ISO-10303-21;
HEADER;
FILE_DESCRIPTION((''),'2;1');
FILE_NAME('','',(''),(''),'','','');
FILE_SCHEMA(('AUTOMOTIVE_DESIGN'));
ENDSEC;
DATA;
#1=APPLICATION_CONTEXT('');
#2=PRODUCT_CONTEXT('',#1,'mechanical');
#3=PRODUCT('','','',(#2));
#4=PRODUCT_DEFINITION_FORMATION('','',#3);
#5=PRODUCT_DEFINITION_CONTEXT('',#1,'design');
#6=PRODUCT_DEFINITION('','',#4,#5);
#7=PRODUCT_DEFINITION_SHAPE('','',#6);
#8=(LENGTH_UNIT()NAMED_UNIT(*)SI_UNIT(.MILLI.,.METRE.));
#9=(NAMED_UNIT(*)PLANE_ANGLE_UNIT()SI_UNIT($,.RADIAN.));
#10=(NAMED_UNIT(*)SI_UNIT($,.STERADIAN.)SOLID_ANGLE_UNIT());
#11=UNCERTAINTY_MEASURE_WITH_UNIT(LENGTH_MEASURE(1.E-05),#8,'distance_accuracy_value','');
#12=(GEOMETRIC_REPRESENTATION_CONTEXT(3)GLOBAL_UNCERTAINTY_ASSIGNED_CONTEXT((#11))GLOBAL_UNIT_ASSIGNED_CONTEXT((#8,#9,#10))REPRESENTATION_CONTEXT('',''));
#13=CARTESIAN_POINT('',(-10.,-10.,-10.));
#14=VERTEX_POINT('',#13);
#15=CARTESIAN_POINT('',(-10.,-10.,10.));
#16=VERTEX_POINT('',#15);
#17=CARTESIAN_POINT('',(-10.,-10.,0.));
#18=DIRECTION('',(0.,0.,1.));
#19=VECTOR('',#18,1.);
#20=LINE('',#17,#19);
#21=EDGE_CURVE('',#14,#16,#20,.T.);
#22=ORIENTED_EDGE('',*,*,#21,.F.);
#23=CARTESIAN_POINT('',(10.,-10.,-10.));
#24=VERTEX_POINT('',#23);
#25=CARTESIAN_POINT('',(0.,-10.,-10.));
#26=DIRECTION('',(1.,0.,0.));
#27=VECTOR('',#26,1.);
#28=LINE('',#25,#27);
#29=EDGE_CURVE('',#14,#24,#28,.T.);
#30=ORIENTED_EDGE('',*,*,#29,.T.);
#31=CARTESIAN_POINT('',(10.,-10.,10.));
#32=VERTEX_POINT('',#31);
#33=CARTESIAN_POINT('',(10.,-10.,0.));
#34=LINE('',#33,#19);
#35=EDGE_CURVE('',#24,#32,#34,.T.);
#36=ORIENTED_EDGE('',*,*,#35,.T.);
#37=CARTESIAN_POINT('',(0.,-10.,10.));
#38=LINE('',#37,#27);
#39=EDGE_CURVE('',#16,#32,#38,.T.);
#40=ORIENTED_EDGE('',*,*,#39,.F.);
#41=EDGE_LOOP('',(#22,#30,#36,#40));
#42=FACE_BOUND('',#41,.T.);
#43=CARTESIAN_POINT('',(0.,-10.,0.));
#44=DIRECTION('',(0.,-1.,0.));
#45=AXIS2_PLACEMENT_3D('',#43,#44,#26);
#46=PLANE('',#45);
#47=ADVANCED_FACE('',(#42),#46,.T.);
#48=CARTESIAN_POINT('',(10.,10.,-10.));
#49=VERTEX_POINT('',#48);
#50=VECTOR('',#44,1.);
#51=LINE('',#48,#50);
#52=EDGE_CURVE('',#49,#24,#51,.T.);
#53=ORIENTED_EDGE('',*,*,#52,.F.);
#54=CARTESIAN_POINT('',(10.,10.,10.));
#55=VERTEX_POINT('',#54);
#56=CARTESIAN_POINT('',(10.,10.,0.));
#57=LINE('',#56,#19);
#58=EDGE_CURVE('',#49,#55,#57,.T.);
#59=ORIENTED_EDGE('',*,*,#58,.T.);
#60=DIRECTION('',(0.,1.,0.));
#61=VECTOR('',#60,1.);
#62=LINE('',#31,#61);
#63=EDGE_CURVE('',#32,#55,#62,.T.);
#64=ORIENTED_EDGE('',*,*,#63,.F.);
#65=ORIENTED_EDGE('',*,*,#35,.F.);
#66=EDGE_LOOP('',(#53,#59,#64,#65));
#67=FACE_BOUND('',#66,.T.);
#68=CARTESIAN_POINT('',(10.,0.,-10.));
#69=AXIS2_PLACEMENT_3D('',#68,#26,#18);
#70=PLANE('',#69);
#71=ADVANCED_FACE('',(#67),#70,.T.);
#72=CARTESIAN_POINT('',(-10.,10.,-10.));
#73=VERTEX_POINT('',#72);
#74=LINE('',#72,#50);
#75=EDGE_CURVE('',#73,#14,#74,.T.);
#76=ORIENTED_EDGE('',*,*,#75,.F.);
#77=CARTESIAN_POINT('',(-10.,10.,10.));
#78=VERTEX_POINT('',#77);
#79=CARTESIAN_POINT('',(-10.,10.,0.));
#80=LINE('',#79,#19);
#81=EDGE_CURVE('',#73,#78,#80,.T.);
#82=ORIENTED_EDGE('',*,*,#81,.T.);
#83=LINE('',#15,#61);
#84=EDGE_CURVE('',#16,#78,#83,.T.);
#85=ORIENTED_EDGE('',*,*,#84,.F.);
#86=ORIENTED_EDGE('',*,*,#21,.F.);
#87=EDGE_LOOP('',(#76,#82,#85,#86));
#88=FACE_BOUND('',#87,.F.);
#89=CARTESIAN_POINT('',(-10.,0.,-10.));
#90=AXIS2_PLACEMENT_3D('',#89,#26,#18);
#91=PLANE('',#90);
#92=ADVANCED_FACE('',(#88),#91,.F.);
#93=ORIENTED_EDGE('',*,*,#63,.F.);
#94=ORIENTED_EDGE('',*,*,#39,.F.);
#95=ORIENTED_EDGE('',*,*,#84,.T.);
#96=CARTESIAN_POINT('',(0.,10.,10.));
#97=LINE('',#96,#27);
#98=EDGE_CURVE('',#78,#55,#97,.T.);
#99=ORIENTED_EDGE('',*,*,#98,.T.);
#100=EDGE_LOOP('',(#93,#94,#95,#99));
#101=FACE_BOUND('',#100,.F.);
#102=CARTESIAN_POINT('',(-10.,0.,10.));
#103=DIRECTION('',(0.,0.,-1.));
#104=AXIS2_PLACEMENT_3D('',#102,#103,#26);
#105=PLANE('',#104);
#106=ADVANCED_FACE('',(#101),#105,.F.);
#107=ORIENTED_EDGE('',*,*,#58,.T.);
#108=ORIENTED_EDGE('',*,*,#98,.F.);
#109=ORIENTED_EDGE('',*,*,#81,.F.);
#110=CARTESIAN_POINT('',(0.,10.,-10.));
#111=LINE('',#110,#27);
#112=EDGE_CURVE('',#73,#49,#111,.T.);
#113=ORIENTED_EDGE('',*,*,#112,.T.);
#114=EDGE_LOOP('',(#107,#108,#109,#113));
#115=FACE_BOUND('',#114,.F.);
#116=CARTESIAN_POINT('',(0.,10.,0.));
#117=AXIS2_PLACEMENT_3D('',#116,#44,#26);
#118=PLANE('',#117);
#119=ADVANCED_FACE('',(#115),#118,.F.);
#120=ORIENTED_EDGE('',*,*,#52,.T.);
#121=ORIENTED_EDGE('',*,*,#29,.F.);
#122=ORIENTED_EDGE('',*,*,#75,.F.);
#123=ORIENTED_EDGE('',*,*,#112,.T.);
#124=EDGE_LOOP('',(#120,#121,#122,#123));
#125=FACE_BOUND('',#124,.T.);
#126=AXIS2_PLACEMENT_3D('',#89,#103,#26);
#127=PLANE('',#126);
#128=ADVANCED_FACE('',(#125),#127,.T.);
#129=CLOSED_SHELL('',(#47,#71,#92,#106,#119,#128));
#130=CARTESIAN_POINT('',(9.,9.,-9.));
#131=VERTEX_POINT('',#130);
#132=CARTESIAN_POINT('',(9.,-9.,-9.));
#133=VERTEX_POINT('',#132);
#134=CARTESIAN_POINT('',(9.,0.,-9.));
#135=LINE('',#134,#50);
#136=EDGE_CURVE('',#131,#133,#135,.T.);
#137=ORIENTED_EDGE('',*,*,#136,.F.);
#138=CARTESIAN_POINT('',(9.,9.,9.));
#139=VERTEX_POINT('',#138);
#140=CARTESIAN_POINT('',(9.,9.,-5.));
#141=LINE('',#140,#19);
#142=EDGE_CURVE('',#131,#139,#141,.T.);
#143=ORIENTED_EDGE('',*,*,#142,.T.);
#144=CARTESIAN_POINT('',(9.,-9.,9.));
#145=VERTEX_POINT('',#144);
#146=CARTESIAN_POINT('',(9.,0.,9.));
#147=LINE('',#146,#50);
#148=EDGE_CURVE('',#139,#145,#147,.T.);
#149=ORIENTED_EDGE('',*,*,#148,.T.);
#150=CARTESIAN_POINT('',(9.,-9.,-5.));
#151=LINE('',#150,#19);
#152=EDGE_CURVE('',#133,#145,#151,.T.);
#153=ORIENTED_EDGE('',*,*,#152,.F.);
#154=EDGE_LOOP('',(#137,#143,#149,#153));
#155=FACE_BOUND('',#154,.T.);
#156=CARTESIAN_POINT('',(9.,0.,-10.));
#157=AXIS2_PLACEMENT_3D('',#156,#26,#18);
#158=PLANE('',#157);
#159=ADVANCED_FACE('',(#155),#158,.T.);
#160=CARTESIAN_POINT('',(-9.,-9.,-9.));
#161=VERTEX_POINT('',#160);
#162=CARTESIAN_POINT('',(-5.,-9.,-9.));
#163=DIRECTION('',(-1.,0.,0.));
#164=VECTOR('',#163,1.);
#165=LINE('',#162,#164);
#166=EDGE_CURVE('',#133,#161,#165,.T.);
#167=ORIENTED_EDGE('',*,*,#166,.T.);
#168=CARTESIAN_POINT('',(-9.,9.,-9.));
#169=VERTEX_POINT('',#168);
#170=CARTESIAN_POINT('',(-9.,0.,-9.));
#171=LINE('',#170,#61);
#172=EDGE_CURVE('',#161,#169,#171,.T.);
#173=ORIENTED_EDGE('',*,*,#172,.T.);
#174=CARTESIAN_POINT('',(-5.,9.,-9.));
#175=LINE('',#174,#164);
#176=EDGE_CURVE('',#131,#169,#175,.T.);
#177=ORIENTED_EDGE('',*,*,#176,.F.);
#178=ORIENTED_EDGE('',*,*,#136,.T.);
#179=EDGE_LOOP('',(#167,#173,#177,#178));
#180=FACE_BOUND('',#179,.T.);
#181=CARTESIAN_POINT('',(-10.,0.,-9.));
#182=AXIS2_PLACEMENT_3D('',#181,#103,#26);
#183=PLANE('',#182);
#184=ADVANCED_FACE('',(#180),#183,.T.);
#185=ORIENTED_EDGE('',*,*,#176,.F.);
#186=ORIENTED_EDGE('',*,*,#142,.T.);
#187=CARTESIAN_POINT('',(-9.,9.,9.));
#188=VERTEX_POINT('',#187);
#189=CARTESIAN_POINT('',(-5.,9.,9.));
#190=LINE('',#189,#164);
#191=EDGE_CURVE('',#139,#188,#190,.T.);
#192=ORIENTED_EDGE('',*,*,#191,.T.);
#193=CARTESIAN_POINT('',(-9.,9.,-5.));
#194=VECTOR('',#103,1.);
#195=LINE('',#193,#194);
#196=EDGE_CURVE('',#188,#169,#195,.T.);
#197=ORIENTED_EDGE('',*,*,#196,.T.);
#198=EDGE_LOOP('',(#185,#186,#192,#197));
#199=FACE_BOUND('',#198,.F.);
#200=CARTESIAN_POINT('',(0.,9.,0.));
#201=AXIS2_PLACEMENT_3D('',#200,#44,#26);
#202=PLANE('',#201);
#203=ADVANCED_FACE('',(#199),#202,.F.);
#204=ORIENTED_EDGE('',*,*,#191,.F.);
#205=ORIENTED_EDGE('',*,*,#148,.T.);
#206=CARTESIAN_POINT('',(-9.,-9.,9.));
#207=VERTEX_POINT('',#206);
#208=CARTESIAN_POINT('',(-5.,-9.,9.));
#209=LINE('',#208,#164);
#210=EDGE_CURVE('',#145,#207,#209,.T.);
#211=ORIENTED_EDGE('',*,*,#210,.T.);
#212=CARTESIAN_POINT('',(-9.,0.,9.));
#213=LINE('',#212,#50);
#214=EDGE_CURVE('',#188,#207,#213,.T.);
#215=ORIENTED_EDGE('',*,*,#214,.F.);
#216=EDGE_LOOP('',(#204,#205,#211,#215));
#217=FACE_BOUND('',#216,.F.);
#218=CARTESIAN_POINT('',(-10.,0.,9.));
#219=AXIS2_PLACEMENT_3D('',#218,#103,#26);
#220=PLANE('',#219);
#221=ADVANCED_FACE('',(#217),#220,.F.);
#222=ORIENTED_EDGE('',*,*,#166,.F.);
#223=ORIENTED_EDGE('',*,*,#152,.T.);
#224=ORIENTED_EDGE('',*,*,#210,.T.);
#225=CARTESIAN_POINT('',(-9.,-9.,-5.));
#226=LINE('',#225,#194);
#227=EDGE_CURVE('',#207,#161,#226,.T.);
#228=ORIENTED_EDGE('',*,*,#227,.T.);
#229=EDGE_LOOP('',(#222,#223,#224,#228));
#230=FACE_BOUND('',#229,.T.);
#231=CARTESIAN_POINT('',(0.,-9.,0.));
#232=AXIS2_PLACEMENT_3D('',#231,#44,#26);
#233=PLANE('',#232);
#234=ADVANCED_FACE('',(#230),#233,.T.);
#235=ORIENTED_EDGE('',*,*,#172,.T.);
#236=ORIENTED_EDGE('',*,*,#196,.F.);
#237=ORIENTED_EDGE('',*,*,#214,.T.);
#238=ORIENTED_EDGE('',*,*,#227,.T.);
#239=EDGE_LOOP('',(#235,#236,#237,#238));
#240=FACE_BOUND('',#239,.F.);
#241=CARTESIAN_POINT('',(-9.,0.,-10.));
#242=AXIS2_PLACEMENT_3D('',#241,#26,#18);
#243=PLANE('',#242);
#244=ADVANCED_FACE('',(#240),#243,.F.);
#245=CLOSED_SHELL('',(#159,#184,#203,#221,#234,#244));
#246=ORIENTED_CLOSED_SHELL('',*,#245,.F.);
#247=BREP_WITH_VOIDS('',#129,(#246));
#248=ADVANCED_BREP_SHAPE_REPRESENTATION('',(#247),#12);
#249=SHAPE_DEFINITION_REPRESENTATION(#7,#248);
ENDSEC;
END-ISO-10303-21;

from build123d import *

# Parameters (mm, degrees)
F0_W     = 20
F0_H     = 20
F1_DEPTH = 10
F2_T     = -1


with BuildPart() as f1:
    # F0 (on Front) → F1 (new body, symmetric)
    with BuildSketch(Plane.XZ):
        Rectangle(F0_W, F0_H)
    extrude(amount=F1_DEPTH, both=True)

    # F2 (hollow: no face is removed)
    offset(amount=F2_T, mode=Mode.SUBTRACT)


solid = f1.part
